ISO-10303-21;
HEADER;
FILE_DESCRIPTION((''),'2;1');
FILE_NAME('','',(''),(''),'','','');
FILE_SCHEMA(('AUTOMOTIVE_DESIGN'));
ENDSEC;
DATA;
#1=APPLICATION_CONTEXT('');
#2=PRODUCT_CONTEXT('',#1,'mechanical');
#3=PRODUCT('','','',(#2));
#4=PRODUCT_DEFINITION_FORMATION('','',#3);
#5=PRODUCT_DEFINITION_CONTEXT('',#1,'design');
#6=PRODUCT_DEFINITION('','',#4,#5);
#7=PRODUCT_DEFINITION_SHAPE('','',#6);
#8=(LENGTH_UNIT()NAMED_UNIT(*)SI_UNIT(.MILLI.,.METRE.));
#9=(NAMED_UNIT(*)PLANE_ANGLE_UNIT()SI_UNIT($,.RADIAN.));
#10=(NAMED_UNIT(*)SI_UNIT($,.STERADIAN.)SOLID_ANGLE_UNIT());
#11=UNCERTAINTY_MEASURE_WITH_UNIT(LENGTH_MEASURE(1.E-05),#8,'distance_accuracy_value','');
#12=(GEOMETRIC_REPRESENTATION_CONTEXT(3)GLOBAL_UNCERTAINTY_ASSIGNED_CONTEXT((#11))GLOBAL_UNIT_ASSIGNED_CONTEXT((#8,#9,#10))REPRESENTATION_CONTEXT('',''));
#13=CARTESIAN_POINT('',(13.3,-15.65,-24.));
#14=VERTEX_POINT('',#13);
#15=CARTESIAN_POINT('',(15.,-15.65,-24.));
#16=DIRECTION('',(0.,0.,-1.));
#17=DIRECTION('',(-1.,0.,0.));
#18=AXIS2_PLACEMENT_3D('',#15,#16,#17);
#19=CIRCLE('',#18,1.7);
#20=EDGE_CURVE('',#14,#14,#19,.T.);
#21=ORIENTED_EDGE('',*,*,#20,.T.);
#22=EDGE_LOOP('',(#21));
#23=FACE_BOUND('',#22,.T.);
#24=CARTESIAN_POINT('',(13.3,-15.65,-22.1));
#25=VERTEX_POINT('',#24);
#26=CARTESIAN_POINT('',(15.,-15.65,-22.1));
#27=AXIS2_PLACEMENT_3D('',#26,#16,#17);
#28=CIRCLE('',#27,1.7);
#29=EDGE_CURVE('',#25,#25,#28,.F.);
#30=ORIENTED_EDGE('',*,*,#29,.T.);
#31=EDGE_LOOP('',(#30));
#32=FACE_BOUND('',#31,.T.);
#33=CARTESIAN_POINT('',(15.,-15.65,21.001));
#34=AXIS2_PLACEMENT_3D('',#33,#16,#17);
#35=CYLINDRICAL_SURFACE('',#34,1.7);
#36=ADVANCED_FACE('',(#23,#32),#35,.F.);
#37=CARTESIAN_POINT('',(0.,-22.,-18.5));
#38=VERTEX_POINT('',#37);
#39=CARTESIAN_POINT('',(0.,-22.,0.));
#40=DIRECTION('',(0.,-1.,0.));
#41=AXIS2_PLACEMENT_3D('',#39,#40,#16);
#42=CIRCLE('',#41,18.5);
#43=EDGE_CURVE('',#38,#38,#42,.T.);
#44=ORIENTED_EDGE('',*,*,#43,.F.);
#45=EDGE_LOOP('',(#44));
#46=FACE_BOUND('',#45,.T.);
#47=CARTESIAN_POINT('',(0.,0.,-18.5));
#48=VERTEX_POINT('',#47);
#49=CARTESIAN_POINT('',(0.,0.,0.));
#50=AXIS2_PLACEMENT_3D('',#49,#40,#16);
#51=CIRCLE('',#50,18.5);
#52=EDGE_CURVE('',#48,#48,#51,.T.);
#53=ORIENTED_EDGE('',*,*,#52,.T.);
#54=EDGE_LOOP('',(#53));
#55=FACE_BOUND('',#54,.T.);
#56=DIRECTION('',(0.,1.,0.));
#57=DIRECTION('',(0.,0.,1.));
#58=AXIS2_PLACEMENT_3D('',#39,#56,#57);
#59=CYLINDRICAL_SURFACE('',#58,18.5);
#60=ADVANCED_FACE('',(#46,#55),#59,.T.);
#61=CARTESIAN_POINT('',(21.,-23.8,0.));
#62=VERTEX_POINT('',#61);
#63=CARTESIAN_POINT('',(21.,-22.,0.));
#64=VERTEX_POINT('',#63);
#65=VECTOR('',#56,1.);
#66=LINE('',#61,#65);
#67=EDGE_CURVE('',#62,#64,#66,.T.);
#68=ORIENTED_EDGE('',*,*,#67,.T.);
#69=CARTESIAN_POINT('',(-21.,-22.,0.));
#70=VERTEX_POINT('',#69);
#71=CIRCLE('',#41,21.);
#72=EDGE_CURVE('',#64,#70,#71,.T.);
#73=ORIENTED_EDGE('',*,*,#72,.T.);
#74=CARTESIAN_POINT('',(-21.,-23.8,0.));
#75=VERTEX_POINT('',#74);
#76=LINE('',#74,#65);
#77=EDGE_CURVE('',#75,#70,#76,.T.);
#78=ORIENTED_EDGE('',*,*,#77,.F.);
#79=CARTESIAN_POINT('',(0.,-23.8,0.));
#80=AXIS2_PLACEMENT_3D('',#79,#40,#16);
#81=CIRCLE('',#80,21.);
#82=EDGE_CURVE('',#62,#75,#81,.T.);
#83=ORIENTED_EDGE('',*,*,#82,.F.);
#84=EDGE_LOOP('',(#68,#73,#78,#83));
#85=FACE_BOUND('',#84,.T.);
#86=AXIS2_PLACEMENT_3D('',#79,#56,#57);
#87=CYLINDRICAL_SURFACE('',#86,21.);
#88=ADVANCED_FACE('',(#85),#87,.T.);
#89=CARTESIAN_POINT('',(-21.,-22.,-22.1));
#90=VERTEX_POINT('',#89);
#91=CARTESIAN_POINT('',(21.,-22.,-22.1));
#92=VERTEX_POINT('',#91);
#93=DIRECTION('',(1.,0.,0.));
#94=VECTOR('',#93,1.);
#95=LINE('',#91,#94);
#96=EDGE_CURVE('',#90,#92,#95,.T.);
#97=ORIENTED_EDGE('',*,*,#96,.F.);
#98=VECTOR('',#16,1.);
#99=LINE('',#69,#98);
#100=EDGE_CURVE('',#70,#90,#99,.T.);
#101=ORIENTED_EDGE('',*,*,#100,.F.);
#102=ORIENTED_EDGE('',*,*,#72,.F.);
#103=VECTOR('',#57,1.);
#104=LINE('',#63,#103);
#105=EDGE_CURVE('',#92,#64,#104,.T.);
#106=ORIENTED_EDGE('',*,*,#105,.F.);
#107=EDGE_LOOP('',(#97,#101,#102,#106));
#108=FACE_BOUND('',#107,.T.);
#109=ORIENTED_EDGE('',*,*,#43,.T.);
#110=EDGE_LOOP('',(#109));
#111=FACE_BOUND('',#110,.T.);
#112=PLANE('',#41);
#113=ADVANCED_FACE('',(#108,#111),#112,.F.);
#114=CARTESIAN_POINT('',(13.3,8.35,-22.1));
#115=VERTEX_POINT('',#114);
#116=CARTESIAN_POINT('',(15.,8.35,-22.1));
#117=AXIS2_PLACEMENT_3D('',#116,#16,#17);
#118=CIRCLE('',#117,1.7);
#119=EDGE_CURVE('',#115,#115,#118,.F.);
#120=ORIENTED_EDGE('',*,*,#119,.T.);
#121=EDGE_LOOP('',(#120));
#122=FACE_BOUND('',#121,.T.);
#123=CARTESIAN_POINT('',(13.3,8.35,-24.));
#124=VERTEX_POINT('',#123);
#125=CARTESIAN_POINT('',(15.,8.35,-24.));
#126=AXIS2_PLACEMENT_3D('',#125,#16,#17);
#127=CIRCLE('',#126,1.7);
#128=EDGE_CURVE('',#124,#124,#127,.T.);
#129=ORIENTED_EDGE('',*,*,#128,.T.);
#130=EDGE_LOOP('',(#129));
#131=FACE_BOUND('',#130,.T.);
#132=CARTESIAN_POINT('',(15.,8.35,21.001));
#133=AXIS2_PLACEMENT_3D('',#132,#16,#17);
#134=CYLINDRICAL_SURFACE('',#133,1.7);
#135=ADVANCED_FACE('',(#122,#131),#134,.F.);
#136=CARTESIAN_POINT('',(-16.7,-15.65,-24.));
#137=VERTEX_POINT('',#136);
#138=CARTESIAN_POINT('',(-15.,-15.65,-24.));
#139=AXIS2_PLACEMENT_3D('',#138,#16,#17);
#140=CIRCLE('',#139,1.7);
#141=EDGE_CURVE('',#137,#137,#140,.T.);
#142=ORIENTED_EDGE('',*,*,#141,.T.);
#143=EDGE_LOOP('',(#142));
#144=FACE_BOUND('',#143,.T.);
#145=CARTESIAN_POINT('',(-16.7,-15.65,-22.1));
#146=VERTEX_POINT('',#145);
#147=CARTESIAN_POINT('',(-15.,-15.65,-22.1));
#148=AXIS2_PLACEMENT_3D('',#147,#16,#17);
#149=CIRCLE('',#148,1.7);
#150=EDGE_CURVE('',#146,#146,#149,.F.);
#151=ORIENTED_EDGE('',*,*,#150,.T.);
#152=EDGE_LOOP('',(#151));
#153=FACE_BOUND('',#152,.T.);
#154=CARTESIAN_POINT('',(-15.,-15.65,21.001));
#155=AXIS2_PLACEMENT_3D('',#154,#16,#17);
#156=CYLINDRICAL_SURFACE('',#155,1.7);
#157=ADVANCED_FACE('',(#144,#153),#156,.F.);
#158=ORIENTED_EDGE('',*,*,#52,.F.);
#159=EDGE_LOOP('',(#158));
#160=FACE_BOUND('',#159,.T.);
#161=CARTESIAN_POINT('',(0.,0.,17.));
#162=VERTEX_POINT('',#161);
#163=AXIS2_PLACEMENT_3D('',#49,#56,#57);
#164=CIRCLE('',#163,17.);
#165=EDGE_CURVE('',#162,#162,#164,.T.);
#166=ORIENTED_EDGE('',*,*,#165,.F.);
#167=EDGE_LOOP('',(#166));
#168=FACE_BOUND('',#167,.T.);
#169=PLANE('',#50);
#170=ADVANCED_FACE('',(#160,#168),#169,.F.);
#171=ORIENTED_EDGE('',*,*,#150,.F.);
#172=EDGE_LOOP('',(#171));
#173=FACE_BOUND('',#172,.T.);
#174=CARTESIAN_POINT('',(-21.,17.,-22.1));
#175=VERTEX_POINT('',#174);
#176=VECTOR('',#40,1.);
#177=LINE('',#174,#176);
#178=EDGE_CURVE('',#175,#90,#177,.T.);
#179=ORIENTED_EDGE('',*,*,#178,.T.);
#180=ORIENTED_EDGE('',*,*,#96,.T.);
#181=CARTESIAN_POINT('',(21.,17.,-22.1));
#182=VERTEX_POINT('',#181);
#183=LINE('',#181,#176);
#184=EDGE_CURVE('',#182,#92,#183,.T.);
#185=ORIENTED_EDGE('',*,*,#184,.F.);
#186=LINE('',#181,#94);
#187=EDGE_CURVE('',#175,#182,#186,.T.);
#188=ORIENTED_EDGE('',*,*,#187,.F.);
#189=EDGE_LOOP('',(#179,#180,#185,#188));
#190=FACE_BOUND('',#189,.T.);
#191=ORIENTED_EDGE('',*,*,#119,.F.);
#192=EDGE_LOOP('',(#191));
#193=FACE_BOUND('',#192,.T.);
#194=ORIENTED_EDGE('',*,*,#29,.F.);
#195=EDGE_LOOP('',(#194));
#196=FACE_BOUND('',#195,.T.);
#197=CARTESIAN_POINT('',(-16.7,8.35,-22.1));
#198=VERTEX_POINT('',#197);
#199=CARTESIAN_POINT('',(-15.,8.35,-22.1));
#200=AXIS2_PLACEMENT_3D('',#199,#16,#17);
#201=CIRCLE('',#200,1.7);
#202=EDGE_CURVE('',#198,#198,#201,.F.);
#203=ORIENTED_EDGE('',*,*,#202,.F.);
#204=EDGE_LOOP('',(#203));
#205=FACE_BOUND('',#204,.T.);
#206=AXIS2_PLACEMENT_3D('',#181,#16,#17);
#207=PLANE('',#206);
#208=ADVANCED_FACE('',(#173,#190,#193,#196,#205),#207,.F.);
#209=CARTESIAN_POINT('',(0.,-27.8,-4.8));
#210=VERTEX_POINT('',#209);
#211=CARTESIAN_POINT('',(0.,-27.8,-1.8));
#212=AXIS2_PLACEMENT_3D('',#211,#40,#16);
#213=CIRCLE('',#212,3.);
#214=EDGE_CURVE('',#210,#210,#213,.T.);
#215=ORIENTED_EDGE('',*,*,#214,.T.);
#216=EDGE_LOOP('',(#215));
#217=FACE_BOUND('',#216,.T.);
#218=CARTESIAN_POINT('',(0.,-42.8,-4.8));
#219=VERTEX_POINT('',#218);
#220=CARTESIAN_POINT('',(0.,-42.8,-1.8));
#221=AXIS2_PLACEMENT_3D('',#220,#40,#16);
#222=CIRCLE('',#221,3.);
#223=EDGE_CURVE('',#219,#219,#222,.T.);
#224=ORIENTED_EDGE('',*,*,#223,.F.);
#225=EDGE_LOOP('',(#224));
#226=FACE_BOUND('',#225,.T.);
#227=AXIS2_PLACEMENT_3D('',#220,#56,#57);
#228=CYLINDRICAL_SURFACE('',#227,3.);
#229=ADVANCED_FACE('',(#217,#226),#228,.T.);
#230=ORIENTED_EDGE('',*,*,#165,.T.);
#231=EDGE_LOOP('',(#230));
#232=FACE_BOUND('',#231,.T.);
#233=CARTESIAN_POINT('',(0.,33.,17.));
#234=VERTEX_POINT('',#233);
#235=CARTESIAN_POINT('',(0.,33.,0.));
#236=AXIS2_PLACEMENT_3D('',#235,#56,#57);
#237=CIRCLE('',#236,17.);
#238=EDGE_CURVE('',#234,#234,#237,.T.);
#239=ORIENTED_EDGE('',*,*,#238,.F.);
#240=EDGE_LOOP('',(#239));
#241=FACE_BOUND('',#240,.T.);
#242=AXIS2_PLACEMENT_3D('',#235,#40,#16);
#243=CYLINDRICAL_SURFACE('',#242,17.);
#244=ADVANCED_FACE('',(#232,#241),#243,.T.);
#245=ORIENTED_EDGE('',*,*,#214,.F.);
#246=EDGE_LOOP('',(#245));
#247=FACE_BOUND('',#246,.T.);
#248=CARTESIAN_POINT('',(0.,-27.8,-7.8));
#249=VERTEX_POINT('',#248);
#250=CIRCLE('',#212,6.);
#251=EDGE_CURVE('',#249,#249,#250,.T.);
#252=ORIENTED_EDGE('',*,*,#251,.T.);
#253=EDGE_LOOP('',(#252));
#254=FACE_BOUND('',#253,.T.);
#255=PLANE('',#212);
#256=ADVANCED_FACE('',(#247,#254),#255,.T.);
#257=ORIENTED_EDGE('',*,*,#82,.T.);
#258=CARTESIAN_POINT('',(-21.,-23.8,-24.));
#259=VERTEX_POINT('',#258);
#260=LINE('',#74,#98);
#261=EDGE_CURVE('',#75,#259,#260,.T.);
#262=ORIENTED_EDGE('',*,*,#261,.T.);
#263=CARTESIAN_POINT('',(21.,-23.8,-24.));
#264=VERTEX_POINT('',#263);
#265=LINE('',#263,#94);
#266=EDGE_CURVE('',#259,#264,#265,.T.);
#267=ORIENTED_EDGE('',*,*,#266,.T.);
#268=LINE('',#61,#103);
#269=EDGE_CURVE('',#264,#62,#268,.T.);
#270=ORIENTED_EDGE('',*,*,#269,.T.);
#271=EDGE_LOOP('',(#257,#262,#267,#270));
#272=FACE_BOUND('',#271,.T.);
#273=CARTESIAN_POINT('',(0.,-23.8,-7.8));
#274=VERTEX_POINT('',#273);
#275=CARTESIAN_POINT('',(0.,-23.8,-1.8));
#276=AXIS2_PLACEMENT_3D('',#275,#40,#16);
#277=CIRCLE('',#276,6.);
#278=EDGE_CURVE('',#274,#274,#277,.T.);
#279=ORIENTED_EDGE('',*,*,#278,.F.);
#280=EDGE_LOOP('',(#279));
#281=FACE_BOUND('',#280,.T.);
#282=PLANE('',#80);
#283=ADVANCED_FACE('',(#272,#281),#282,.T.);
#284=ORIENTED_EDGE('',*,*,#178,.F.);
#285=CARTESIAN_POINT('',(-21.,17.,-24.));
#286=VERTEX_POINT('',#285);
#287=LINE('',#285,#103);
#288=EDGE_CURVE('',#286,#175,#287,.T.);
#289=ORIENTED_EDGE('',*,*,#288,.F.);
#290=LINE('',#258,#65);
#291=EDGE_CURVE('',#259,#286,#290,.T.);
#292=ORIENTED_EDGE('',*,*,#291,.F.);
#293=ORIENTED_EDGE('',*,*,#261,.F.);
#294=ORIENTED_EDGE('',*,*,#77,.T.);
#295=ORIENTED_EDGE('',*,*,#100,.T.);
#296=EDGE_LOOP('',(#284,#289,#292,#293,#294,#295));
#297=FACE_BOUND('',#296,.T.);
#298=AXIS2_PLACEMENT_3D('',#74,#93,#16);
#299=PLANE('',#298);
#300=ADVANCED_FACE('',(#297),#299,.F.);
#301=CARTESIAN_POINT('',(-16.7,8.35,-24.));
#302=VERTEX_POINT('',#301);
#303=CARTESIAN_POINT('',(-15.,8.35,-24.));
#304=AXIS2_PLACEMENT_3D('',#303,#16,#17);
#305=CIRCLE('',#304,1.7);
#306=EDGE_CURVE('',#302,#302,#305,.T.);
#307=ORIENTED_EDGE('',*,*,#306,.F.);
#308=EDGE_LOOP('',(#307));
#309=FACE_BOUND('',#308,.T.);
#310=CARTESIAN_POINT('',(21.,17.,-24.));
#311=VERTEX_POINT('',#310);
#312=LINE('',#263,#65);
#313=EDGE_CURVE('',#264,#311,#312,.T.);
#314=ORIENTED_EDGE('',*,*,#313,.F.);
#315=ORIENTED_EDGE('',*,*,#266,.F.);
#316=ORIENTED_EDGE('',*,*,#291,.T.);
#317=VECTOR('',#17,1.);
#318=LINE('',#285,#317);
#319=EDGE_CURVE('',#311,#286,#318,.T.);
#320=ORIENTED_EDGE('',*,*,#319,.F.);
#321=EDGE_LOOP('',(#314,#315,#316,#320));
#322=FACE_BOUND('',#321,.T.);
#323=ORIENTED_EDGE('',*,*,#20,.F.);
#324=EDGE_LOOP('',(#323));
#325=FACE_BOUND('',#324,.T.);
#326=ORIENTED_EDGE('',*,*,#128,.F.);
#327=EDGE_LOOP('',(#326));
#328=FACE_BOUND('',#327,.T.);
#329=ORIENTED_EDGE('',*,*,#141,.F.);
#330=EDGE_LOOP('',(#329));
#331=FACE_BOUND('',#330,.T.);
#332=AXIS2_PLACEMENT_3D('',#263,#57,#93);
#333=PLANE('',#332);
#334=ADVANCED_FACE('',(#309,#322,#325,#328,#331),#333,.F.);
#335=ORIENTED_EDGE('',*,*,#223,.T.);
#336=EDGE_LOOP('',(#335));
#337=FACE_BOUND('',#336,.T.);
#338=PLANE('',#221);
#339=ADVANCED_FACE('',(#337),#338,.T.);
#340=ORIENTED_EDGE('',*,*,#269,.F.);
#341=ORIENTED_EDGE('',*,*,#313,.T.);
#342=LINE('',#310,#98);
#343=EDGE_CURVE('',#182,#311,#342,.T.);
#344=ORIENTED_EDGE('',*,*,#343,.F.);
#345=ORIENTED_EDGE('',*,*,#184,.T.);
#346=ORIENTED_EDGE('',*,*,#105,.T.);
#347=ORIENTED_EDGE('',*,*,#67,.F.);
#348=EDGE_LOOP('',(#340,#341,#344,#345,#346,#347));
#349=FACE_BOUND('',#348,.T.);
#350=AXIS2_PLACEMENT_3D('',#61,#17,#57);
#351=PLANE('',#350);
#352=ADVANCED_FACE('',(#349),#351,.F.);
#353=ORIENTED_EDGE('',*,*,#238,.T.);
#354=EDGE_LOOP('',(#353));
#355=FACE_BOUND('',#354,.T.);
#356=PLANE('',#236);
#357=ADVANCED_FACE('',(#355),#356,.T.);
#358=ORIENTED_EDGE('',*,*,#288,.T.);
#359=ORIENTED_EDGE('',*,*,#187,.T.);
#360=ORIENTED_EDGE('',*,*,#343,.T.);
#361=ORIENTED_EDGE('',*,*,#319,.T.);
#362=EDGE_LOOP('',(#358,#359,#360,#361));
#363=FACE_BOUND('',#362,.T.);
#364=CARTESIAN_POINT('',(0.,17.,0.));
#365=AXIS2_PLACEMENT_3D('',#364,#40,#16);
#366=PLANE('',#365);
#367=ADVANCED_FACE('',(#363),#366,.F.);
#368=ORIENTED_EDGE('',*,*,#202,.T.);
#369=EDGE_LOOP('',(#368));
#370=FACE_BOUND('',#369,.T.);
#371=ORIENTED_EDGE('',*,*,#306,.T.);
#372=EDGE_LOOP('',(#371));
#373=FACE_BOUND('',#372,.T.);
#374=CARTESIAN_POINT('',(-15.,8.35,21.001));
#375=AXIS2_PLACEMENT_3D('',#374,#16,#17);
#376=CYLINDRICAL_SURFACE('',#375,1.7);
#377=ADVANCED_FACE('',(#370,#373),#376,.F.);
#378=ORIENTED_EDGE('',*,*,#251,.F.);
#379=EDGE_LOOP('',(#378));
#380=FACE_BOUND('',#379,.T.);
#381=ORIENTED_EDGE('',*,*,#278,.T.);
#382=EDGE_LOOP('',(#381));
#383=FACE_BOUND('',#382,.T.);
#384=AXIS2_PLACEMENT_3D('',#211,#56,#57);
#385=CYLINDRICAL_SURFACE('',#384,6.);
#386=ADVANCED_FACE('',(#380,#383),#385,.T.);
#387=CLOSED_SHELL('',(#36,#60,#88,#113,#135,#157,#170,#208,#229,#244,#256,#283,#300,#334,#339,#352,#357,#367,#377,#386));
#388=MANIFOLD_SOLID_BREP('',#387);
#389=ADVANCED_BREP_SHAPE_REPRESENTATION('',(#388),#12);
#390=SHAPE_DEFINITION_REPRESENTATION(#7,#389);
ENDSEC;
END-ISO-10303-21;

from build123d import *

# Parameters (mm, degrees)
SKETCH_1_R          = 17
EXTRUDE_1_DEPTH     = 33
SKETCH_2_R          = 18.5
EXTRUDE_2_DEPTH     = 22
EXTRUDE_3_DEPTH     = 1.8
SKETCH_4_W          = 42
SKETCH_4_H          = 1.9
EXTRUDE_4_DEPTH     = 39
SKETCH_5_R          = 6
EXTRUDE_5_DEPTH     = 4
SKETCH_6_R          = 3
EXTRUDE_6_DEPTH     = 15
CUT_EXTRUDE_1_REACH = 67.558
SKETCH_7_R          = 1.7


with BuildPart() as part:
    # 草图1 → 凸台-拉伸1 (new body)
    with BuildSketch(Plane(origin=(0, 0, 0), x_dir=(1, 0, 0), z_dir=(0, 1, 0))):
        with Locations(Location((0, 0, 0), (0, 0, 270))):
            Circle(SKETCH_1_R)
    extrude(amount=EXTRUDE_1_DEPTH)

    # 草图2 → 凸台-拉伸2 (add)
    with BuildSketch(Plane.XZ):
        with Locations(Location((0, 0, 0), (0, 0, 270))):
            Circle(SKETCH_2_R)
    extrude(amount=EXTRUDE_2_DEPTH)

    # 草图3 → 凸台-拉伸3 (add)
    with BuildSketch(Plane.XZ.offset(22)):
        with BuildLine():
            Line((-21, 0), (-21, -24))
            Line((-21, -24), (21, -24))
            Line((21, -24), (21, 0))
            ThreePointArc((21, 0), (0, 21), (-21, 0))
        make_face()
    extrude(amount=EXTRUDE_3_DEPTH)

    # 草图4 → 凸台-拉伸4 (add)
    with BuildSketch(Plane(origin=(0, -22, 0), x_dir=(1, 0, 0), z_dir=(0, 1, 0))):
        with Locations((0, 23.05)):
            Rectangle(SKETCH_4_W, SKETCH_4_H)
    extrude(amount=EXTRUDE_4_DEPTH)

    # 草图5 → 凸台-拉伸5 (add)
    with BuildSketch(Plane.XZ.offset(23.8)):
        with Locations(Location((0, -1.8, 0), (0, 0, 270))):
            Circle(SKETCH_5_R)
    extrude(amount=EXTRUDE_5_DEPTH)

    # 草图6 → 凸台-拉伸6 (add)
    with BuildSketch(Plane.XZ.offset(27.8)):
        with Locations(Location((0, -1.8, 0), (0, 0, 270))):
            Circle(SKETCH_6_R)
    extrude(amount=EXTRUDE_6_DEPTH)

    # 草图7 → 切除-拉伸1 (cut, up to next)
    with BuildSketch(Plane(origin=(0, 0, -24), x_dir=(-1, 0, 0), z_dir=(0, 0, -1)), mode=Mode.PRIVATE) as cut_extrude_1_sk1:
        with Locations((-15, 8.35)):
            Circle(SKETCH_7_R)
    cut_extrude_1_tool1 = extrude(cut_extrude_1_sk1.sketch, amount=-CUT_EXTRUDE_1_REACH, mode=Mode.PRIVATE) & part.part
    # 草图7 → 切除-拉伸1 (cut, up to next)
    with BuildSketch(Plane(origin=(0, 0, -24), x_dir=(-1, 0, 0), z_dir=(0, 0, -1)), mode=Mode.PRIVATE) as cut_extrude_1_sk2:
        with Locations((-15, -15.65)):
            Circle(SKETCH_7_R)
    cut_extrude_1_tool2 = extrude(cut_extrude_1_sk2.sketch, amount=-CUT_EXTRUDE_1_REACH, mode=Mode.PRIVATE) & part.part
    # 草图7 → 切除-拉伸1 (cut, up to next)
    with BuildSketch(Plane(origin=(0, 0, -24), x_dir=(-1, 0, 0), z_dir=(0, 0, -1)), mode=Mode.PRIVATE) as cut_extrude_1_sk3:
        with Locations((15, 8.35)):
            Circle(SKETCH_7_R)
    cut_extrude_1_tool3 = extrude(cut_extrude_1_sk3.sketch, amount=-CUT_EXTRUDE_1_REACH, mode=Mode.PRIVATE) & part.part
    # 草图7 → 切除-拉伸1 (cut, up to next)
    with BuildSketch(Plane(origin=(0, 0, -24), x_dir=(-1, 0, 0), z_dir=(0, 0, -1)), mode=Mode.PRIVATE) as cut_extrude_1_sk4:
        with Locations((15, -15.65)):
            Circle(SKETCH_7_R)
    cut_extrude_1_tool4 = extrude(cut_extrude_1_sk4.sketch, amount=-CUT_EXTRUDE_1_REACH, mode=Mode.PRIVATE) & part.part
    add(cut_extrude_1_tool1.solids().sort_by_distance((15, 8.35, -24))[0], mode=Mode.SUBTRACT)
    add(cut_extrude_1_tool2.solids().sort_by_distance((15, -15.65, -24))[0], mode=Mode.SUBTRACT)
    add(cut_extrude_1_tool3.solids().sort_by_distance((-15, 8.35, -24))[0], mode=Mode.SUBTRACT)
    add(cut_extrude_1_tool4.solids().sort_by_distance((-15, -15.65, -24))[0], mode=Mode.SUBTRACT)


solid = part.part
